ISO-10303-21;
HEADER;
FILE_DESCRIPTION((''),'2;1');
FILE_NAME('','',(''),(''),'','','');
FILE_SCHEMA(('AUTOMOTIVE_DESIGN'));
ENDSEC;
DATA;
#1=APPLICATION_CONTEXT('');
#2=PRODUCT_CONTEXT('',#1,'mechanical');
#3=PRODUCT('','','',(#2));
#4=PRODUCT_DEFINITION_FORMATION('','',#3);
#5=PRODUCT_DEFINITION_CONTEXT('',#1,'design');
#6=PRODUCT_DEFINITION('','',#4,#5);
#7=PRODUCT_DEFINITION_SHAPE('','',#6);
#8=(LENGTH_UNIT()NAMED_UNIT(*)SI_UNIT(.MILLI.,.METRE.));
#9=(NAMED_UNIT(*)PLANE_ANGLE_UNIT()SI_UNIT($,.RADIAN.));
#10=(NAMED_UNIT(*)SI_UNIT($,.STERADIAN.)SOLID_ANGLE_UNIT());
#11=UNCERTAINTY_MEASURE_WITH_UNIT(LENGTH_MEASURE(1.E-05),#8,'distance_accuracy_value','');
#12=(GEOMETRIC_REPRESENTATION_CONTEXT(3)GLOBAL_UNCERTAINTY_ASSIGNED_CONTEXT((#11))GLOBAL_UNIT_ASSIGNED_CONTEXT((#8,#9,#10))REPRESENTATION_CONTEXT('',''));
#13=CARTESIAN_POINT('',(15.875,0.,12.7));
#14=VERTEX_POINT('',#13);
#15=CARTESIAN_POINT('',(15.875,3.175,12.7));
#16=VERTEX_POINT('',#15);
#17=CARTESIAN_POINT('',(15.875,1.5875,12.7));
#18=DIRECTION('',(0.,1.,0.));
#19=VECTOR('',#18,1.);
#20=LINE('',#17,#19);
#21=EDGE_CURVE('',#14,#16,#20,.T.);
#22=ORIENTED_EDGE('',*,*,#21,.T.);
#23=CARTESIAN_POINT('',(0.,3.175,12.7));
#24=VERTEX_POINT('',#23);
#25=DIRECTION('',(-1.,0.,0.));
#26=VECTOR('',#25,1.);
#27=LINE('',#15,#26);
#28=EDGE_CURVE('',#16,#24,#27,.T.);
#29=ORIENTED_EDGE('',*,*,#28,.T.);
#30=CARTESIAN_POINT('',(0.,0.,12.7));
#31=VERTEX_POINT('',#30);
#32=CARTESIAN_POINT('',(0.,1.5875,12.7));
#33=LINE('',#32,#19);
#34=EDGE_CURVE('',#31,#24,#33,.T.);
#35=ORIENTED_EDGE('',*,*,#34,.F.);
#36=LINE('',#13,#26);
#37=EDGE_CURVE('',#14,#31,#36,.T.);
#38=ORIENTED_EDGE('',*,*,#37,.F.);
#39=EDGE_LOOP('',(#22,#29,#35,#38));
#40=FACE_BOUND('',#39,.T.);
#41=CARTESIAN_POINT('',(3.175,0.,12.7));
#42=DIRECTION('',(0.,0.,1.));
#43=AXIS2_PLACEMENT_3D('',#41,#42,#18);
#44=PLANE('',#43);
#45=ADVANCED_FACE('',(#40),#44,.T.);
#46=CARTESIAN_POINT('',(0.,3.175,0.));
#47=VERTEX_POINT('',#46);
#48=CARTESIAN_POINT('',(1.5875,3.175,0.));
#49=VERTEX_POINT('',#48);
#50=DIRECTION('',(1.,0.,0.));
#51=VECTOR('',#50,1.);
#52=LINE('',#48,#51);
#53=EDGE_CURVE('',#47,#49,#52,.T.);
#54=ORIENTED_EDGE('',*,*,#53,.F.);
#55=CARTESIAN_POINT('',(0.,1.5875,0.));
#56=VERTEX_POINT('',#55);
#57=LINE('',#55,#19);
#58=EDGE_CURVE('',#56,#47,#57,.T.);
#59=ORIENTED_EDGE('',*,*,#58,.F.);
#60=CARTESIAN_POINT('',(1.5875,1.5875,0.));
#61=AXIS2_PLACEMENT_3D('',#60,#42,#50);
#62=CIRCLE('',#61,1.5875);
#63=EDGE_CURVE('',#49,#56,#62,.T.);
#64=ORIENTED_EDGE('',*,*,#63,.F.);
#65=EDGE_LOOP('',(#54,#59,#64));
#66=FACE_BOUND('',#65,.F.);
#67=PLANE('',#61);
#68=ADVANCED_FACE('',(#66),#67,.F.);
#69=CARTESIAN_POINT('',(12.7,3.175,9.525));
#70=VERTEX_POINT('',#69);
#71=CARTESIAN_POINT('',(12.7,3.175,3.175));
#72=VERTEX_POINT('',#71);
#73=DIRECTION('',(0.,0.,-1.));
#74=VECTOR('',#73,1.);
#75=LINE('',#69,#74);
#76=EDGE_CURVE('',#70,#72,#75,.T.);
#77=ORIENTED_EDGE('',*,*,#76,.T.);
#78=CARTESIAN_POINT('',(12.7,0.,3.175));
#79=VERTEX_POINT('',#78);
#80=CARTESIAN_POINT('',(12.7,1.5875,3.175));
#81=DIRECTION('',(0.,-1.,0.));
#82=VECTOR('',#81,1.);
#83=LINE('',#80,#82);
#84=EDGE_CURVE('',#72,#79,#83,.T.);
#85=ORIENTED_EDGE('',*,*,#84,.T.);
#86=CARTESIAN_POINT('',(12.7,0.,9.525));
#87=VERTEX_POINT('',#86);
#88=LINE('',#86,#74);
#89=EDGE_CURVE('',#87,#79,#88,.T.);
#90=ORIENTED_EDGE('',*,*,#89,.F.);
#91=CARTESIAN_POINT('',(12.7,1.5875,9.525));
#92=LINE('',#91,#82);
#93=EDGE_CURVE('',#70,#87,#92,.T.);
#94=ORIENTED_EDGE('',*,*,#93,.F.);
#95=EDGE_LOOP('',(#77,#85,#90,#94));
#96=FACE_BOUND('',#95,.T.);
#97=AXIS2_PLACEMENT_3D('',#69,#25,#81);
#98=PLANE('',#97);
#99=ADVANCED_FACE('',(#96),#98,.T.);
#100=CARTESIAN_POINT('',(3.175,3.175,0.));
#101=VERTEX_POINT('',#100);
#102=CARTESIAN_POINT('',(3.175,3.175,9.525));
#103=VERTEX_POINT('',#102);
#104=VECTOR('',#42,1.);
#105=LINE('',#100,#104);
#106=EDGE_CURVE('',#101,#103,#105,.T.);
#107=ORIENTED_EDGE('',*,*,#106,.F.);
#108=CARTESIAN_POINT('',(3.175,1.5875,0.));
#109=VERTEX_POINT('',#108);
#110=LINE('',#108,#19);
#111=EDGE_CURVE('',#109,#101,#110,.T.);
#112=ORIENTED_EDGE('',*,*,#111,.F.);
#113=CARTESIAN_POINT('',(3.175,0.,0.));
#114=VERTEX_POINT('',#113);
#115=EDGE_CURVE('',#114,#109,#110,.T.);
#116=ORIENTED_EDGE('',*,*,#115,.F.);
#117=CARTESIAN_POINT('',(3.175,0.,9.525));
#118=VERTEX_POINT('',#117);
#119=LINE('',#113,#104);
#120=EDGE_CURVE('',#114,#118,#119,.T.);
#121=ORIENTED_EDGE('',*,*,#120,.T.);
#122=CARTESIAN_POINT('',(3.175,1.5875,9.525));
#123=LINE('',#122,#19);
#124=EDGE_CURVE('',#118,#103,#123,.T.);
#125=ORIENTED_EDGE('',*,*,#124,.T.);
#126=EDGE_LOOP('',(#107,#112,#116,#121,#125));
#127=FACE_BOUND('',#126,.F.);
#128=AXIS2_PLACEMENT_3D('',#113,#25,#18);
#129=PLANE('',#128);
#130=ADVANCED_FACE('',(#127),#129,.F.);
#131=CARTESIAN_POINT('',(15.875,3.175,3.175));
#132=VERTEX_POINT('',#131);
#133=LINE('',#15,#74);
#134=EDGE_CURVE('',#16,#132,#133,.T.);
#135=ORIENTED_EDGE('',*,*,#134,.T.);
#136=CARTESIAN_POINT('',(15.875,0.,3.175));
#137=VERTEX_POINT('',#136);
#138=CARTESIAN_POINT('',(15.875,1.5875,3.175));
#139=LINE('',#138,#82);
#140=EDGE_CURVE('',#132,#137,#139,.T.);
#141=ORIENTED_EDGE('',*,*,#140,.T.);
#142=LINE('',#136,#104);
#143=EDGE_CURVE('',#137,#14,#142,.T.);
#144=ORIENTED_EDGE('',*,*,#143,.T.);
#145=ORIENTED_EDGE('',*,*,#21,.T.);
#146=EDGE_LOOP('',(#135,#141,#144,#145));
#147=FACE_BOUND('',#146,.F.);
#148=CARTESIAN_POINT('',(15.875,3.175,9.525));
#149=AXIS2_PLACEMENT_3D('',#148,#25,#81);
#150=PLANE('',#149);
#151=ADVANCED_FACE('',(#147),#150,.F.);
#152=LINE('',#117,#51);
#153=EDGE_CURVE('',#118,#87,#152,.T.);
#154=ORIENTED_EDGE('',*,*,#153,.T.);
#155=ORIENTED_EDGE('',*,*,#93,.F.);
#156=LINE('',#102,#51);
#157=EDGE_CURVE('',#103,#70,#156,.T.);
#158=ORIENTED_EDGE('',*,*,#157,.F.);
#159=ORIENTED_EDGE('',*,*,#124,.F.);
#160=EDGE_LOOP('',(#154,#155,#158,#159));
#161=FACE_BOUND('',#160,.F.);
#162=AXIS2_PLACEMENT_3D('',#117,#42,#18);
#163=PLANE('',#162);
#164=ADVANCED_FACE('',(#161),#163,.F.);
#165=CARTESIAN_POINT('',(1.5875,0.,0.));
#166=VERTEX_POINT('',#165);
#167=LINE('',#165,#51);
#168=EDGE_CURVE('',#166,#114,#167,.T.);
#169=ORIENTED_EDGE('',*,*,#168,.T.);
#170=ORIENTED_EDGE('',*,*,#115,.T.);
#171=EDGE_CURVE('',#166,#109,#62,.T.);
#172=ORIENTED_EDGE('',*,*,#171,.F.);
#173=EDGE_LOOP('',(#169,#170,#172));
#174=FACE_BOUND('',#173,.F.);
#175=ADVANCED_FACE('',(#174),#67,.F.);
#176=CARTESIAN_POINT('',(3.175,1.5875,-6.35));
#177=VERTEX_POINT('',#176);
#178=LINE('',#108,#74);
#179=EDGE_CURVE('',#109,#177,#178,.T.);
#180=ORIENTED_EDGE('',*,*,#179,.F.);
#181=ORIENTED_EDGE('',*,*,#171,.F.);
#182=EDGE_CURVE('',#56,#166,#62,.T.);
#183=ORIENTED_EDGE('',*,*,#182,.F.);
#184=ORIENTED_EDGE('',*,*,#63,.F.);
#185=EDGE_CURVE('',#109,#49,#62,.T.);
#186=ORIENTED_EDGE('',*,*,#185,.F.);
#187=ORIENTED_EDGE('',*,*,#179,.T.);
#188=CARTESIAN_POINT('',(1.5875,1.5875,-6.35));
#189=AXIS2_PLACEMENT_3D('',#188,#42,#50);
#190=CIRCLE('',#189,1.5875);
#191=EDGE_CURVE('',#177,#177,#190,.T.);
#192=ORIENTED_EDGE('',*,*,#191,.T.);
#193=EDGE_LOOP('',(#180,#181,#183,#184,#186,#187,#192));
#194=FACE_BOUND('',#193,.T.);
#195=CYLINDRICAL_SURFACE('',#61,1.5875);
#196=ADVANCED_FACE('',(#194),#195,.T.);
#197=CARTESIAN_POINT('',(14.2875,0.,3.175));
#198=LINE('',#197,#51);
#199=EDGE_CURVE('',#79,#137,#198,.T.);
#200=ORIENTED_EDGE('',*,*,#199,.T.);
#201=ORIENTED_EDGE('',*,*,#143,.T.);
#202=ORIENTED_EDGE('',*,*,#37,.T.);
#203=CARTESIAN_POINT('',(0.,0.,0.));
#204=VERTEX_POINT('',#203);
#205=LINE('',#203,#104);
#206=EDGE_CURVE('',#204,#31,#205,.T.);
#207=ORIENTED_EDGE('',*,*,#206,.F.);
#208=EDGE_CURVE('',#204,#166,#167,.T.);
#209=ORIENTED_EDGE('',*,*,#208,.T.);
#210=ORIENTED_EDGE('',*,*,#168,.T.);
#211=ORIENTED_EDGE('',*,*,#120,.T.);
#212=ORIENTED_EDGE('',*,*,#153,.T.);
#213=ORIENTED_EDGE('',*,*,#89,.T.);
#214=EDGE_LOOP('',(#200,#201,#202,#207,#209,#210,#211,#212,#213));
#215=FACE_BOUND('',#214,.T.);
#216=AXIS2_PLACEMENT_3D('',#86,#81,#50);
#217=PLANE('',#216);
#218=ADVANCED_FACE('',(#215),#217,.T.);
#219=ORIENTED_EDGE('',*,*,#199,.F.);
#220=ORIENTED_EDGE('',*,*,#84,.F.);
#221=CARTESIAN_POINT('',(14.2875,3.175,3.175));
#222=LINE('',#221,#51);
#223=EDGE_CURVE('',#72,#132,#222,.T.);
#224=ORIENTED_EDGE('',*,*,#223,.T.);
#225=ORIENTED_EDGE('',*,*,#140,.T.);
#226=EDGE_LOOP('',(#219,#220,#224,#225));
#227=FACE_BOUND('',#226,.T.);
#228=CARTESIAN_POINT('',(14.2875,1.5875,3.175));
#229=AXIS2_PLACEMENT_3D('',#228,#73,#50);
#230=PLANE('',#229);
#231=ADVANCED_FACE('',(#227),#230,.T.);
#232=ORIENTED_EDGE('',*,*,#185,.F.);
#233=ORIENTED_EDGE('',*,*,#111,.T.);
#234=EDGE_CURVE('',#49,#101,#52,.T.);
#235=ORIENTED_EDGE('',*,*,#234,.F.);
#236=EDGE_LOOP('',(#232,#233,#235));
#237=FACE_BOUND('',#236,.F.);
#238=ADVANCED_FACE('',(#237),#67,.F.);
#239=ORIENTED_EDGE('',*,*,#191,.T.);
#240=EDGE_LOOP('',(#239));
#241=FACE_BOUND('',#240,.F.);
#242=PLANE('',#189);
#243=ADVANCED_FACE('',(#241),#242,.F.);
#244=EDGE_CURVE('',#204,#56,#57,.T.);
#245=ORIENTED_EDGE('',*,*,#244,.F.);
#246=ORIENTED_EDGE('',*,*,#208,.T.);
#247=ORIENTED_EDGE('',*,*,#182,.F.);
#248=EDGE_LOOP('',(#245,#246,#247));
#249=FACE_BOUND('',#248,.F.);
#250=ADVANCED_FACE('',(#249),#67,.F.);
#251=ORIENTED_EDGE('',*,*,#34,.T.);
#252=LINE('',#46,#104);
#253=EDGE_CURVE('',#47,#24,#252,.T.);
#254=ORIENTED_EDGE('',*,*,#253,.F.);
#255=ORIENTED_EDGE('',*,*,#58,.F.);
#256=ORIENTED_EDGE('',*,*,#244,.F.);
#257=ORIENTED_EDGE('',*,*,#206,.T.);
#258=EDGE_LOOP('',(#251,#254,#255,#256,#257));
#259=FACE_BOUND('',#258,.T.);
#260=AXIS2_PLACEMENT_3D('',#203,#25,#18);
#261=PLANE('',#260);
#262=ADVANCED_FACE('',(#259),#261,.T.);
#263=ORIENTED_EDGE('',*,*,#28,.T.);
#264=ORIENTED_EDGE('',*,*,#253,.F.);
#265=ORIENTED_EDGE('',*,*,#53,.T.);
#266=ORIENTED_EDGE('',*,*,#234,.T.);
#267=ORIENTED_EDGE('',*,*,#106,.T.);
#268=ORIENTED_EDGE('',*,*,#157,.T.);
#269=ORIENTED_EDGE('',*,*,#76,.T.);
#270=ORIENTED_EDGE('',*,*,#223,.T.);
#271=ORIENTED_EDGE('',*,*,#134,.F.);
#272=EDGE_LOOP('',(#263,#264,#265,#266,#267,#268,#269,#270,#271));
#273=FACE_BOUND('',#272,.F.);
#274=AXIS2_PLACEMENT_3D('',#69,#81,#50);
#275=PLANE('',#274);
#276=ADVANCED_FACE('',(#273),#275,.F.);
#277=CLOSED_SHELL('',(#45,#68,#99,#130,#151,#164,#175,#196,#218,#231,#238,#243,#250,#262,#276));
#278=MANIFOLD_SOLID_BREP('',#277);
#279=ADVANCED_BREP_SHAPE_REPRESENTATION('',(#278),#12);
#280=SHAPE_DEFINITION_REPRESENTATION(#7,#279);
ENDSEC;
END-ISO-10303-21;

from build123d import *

# Parameters (mm, degrees)
F0_W     = 3.175
F0_H     = 3.175
F1_DEPTH = 12.7
F2_W     = 3.175
F2_H     = 3.175
F3_DEPTH = 12.7
F4_W     = 3.175
F4_H     = 3.175
F5_DEPTH = 6.35
F6_R     = 1.5875
F7_DEPTH = 6.35


with BuildPart() as f1:
    # F0 (on Top) → F1 (new body)
    with BuildSketch(Plane.XY):
        with Locations((1.5875, 1.5875)):
            Rectangle(F0_W, F0_H)
    extrude(amount=F1_DEPTH)

    # F2 (on face) → F3 (join)
    with BuildSketch(Plane.YZ.offset(3.175)):
        with Locations((1.5875, 11.1125)):
            Rectangle(F2_W, F2_H)
    extrude(amount=F3_DEPTH)

    # F4 (on face) → F5 (join)
    with BuildSketch(Plane(origin=(0, 0, 9.525), x_dir=(1, 0, 0), z_dir=(0, 0, -1))):
        with Locations((14.2875, -1.5875)):
            Rectangle(F4_W, F4_H)
    extrude(amount=F5_DEPTH)

    # F6 (on Top) → F7 (join)
    with BuildSketch(Plane.XY):
        with Locations((1.5875, 1.5875)):
            Circle(F6_R)
    extrude(amount=-F7_DEPTH)


solid = f1.part
